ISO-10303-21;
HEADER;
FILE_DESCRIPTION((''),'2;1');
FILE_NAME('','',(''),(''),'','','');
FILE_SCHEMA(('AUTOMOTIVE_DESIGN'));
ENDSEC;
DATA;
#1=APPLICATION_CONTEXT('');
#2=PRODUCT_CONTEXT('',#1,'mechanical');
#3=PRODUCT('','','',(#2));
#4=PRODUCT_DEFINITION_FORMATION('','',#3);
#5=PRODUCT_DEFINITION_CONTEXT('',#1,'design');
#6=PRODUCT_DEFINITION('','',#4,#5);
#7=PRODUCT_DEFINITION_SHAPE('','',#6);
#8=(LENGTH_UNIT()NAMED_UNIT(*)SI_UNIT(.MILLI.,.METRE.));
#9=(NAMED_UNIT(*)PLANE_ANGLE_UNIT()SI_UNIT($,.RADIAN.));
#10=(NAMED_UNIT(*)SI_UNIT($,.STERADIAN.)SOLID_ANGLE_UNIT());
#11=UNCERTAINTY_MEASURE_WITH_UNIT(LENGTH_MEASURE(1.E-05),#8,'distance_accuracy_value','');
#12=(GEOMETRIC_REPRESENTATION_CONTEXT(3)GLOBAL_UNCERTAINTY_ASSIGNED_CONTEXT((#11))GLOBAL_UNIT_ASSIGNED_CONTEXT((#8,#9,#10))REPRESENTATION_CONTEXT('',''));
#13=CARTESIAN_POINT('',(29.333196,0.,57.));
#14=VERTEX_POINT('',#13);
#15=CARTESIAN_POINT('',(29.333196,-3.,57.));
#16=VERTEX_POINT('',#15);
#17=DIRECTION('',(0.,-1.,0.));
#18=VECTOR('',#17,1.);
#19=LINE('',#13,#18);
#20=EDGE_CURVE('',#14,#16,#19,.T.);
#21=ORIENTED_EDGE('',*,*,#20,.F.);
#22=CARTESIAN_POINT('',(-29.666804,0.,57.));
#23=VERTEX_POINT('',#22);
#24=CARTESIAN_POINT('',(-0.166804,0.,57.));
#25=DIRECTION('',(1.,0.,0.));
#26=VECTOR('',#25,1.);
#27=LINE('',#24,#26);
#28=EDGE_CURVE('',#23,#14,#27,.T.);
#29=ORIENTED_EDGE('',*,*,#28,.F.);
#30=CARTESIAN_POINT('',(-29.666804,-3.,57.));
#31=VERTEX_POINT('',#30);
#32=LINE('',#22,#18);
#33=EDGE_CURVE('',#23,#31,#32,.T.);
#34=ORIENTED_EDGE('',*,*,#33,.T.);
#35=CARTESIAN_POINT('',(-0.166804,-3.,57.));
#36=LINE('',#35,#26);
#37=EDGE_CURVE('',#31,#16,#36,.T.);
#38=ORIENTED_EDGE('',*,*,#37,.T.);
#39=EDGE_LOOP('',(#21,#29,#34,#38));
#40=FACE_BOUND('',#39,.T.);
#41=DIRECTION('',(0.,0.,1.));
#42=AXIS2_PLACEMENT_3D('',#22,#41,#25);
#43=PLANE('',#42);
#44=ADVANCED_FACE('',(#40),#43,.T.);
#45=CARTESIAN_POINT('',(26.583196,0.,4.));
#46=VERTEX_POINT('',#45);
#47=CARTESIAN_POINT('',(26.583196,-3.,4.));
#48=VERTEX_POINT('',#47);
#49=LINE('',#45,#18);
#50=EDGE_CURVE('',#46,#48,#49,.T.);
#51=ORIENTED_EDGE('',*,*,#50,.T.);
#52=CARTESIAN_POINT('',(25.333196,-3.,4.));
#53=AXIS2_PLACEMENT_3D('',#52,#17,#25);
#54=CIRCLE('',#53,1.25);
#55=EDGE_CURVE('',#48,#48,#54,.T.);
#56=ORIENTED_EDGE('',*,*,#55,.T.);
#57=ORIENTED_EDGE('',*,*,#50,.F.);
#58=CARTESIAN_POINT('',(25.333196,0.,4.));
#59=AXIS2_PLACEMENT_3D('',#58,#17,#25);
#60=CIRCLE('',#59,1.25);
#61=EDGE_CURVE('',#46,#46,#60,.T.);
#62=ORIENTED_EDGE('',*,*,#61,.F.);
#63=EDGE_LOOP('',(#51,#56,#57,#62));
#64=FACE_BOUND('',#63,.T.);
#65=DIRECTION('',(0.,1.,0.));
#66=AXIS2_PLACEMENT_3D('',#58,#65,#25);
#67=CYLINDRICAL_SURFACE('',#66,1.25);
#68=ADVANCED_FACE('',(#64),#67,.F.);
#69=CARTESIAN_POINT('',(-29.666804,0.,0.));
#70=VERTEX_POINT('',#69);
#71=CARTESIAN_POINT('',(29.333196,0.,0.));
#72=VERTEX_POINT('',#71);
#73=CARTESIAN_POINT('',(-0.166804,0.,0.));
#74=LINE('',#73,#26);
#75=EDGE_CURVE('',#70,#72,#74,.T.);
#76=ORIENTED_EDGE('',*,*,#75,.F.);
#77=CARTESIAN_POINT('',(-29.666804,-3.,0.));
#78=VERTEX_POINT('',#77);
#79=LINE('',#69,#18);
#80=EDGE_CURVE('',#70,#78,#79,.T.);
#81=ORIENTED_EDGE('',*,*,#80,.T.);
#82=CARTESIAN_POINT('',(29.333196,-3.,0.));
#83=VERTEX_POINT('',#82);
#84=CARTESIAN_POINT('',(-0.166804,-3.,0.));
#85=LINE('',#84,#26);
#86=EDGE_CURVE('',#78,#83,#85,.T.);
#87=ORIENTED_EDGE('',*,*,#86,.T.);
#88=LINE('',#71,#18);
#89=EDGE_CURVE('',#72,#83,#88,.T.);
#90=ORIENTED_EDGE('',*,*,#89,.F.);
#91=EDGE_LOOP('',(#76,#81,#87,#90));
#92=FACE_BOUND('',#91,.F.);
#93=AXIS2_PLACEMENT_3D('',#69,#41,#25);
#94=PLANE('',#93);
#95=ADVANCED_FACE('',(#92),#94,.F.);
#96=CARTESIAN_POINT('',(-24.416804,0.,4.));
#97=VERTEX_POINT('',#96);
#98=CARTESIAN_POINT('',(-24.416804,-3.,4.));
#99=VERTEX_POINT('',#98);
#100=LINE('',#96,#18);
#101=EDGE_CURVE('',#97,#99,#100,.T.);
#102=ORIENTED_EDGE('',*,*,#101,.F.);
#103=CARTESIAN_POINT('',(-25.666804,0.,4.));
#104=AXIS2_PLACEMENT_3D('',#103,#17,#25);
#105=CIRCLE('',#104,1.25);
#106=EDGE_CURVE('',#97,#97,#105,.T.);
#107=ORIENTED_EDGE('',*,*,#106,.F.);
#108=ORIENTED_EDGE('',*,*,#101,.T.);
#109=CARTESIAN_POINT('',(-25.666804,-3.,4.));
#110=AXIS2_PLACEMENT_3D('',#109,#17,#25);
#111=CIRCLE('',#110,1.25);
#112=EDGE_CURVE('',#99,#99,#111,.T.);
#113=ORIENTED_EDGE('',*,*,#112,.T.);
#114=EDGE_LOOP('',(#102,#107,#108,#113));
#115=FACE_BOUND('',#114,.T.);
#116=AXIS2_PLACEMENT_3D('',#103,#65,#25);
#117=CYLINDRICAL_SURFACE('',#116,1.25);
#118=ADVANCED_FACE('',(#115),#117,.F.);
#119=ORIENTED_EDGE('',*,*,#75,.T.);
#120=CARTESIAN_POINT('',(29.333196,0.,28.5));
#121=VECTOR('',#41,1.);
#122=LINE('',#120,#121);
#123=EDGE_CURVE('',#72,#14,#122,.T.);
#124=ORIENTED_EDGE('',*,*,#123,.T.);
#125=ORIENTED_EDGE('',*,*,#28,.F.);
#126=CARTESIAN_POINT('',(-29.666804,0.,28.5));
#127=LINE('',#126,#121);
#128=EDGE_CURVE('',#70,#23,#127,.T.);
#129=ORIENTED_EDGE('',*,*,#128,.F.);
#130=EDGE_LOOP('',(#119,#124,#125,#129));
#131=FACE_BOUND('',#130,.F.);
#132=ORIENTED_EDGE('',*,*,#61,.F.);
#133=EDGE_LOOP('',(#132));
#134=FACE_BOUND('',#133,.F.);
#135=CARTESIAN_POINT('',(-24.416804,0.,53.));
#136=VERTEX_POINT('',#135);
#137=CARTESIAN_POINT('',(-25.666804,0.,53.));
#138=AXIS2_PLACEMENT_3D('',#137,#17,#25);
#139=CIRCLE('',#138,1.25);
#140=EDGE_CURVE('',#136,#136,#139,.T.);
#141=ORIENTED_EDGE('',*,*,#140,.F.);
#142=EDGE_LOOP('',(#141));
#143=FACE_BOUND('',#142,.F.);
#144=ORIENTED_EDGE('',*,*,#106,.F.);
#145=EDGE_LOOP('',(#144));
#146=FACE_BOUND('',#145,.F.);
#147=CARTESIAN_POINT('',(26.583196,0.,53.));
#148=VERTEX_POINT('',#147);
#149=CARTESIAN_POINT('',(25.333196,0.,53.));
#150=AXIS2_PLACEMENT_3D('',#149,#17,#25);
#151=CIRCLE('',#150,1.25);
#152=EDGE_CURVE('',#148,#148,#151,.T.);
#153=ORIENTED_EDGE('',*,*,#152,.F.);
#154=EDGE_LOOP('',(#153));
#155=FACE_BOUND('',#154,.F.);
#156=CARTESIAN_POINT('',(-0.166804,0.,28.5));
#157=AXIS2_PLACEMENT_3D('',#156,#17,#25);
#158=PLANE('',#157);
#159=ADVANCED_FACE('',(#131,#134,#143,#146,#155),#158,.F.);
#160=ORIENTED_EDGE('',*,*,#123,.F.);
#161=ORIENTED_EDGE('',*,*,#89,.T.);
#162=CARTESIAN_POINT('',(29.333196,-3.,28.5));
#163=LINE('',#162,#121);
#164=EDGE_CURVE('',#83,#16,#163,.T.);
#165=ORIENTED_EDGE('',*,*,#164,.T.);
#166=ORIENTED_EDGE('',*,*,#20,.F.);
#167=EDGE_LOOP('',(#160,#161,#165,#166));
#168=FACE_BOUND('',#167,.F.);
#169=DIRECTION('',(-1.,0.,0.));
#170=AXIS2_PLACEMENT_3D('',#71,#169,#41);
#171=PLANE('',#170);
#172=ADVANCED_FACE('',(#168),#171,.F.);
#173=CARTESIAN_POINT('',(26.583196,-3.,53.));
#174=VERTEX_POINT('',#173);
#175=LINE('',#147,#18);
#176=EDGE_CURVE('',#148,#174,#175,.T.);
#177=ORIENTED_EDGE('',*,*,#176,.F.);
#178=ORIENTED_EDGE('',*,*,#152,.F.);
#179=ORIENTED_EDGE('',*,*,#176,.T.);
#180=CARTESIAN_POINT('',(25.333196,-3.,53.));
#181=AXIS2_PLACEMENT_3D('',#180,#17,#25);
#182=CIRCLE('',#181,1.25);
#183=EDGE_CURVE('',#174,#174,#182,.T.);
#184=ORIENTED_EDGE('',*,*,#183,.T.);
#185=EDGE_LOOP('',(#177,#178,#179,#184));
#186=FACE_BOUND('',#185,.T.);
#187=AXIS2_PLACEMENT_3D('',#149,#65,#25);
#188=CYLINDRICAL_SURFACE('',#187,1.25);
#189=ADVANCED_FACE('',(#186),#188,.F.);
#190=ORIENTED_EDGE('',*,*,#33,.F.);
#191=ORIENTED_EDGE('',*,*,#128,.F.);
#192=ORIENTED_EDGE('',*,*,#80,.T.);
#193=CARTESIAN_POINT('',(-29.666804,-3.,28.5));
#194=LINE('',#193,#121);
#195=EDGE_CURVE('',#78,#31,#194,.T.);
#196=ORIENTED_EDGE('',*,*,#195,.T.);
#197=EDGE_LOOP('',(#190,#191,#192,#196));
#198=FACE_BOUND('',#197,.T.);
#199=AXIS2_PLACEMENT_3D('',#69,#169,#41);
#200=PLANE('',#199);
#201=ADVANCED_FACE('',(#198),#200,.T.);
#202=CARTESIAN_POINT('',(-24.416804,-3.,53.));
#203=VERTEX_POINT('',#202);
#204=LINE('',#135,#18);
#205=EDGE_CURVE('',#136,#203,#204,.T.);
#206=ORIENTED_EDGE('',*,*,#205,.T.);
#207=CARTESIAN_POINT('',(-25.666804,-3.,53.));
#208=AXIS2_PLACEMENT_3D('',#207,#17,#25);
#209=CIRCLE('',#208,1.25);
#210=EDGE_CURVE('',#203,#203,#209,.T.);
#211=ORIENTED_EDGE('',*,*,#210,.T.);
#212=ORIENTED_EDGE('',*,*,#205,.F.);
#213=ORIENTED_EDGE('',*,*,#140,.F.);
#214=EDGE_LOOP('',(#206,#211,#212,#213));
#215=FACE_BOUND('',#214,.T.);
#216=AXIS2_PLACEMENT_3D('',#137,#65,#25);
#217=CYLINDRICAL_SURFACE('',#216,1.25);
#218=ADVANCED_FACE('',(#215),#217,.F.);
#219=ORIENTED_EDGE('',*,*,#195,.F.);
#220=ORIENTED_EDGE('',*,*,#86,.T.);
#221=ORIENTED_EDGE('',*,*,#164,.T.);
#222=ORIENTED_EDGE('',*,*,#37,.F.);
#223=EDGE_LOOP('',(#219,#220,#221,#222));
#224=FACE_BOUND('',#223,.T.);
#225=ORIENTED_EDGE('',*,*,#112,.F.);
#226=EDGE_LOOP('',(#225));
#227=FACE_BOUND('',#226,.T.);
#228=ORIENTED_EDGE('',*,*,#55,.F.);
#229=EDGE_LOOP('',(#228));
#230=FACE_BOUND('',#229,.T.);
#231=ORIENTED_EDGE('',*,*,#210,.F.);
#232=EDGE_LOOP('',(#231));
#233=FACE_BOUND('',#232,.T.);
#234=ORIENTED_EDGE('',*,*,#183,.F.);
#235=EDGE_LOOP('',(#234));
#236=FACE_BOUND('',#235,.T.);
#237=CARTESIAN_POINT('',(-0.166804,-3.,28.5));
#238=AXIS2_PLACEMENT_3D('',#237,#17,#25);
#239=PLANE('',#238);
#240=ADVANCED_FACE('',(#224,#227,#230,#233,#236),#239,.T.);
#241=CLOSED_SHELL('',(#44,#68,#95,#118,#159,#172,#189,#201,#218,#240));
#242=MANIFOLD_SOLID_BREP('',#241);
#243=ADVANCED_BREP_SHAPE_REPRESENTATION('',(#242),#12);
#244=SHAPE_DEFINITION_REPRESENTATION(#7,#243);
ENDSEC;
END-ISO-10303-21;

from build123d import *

# Parameters (mm, degrees)
F0_W     = 59
F0_H     = 57
F0_W_2   = 55
F0_H_2   = 53
F0_R     = 1.25
F1_DEPTH = 3


with BuildPart() as f1:
    # F0 (on Front) → F1 (new body)
    with BuildSketch(Plane.XZ):
        with Locations((-0.166804, 28.5)):
            Rectangle(F0_W, F0_H)
        with Locations((-0.166804, 28.5)):
            Rectangle(F0_W_2, F0_H_2, mode=Mode.SUBTRACT)
        with Locations((-0.166804, 28.5)):
            Rectangle(F0_W_2, F0_H_2)
        with Locations((-25.666804, 4)):
            Circle(F0_R, mode=Mode.SUBTRACT)
        with Locations((25.333196, 4)):
            Circle(F0_R, mode=Mode.SUBTRACT)
        with Locations((-25.666804, 53)):
            Circle(F0_R, mode=Mode.SUBTRACT)
        with Locations((25.333196, 53)):
            Circle(F0_R, mode=Mode.SUBTRACT)
    extrude(amount=F1_DEPTH)


solid = f1.part
